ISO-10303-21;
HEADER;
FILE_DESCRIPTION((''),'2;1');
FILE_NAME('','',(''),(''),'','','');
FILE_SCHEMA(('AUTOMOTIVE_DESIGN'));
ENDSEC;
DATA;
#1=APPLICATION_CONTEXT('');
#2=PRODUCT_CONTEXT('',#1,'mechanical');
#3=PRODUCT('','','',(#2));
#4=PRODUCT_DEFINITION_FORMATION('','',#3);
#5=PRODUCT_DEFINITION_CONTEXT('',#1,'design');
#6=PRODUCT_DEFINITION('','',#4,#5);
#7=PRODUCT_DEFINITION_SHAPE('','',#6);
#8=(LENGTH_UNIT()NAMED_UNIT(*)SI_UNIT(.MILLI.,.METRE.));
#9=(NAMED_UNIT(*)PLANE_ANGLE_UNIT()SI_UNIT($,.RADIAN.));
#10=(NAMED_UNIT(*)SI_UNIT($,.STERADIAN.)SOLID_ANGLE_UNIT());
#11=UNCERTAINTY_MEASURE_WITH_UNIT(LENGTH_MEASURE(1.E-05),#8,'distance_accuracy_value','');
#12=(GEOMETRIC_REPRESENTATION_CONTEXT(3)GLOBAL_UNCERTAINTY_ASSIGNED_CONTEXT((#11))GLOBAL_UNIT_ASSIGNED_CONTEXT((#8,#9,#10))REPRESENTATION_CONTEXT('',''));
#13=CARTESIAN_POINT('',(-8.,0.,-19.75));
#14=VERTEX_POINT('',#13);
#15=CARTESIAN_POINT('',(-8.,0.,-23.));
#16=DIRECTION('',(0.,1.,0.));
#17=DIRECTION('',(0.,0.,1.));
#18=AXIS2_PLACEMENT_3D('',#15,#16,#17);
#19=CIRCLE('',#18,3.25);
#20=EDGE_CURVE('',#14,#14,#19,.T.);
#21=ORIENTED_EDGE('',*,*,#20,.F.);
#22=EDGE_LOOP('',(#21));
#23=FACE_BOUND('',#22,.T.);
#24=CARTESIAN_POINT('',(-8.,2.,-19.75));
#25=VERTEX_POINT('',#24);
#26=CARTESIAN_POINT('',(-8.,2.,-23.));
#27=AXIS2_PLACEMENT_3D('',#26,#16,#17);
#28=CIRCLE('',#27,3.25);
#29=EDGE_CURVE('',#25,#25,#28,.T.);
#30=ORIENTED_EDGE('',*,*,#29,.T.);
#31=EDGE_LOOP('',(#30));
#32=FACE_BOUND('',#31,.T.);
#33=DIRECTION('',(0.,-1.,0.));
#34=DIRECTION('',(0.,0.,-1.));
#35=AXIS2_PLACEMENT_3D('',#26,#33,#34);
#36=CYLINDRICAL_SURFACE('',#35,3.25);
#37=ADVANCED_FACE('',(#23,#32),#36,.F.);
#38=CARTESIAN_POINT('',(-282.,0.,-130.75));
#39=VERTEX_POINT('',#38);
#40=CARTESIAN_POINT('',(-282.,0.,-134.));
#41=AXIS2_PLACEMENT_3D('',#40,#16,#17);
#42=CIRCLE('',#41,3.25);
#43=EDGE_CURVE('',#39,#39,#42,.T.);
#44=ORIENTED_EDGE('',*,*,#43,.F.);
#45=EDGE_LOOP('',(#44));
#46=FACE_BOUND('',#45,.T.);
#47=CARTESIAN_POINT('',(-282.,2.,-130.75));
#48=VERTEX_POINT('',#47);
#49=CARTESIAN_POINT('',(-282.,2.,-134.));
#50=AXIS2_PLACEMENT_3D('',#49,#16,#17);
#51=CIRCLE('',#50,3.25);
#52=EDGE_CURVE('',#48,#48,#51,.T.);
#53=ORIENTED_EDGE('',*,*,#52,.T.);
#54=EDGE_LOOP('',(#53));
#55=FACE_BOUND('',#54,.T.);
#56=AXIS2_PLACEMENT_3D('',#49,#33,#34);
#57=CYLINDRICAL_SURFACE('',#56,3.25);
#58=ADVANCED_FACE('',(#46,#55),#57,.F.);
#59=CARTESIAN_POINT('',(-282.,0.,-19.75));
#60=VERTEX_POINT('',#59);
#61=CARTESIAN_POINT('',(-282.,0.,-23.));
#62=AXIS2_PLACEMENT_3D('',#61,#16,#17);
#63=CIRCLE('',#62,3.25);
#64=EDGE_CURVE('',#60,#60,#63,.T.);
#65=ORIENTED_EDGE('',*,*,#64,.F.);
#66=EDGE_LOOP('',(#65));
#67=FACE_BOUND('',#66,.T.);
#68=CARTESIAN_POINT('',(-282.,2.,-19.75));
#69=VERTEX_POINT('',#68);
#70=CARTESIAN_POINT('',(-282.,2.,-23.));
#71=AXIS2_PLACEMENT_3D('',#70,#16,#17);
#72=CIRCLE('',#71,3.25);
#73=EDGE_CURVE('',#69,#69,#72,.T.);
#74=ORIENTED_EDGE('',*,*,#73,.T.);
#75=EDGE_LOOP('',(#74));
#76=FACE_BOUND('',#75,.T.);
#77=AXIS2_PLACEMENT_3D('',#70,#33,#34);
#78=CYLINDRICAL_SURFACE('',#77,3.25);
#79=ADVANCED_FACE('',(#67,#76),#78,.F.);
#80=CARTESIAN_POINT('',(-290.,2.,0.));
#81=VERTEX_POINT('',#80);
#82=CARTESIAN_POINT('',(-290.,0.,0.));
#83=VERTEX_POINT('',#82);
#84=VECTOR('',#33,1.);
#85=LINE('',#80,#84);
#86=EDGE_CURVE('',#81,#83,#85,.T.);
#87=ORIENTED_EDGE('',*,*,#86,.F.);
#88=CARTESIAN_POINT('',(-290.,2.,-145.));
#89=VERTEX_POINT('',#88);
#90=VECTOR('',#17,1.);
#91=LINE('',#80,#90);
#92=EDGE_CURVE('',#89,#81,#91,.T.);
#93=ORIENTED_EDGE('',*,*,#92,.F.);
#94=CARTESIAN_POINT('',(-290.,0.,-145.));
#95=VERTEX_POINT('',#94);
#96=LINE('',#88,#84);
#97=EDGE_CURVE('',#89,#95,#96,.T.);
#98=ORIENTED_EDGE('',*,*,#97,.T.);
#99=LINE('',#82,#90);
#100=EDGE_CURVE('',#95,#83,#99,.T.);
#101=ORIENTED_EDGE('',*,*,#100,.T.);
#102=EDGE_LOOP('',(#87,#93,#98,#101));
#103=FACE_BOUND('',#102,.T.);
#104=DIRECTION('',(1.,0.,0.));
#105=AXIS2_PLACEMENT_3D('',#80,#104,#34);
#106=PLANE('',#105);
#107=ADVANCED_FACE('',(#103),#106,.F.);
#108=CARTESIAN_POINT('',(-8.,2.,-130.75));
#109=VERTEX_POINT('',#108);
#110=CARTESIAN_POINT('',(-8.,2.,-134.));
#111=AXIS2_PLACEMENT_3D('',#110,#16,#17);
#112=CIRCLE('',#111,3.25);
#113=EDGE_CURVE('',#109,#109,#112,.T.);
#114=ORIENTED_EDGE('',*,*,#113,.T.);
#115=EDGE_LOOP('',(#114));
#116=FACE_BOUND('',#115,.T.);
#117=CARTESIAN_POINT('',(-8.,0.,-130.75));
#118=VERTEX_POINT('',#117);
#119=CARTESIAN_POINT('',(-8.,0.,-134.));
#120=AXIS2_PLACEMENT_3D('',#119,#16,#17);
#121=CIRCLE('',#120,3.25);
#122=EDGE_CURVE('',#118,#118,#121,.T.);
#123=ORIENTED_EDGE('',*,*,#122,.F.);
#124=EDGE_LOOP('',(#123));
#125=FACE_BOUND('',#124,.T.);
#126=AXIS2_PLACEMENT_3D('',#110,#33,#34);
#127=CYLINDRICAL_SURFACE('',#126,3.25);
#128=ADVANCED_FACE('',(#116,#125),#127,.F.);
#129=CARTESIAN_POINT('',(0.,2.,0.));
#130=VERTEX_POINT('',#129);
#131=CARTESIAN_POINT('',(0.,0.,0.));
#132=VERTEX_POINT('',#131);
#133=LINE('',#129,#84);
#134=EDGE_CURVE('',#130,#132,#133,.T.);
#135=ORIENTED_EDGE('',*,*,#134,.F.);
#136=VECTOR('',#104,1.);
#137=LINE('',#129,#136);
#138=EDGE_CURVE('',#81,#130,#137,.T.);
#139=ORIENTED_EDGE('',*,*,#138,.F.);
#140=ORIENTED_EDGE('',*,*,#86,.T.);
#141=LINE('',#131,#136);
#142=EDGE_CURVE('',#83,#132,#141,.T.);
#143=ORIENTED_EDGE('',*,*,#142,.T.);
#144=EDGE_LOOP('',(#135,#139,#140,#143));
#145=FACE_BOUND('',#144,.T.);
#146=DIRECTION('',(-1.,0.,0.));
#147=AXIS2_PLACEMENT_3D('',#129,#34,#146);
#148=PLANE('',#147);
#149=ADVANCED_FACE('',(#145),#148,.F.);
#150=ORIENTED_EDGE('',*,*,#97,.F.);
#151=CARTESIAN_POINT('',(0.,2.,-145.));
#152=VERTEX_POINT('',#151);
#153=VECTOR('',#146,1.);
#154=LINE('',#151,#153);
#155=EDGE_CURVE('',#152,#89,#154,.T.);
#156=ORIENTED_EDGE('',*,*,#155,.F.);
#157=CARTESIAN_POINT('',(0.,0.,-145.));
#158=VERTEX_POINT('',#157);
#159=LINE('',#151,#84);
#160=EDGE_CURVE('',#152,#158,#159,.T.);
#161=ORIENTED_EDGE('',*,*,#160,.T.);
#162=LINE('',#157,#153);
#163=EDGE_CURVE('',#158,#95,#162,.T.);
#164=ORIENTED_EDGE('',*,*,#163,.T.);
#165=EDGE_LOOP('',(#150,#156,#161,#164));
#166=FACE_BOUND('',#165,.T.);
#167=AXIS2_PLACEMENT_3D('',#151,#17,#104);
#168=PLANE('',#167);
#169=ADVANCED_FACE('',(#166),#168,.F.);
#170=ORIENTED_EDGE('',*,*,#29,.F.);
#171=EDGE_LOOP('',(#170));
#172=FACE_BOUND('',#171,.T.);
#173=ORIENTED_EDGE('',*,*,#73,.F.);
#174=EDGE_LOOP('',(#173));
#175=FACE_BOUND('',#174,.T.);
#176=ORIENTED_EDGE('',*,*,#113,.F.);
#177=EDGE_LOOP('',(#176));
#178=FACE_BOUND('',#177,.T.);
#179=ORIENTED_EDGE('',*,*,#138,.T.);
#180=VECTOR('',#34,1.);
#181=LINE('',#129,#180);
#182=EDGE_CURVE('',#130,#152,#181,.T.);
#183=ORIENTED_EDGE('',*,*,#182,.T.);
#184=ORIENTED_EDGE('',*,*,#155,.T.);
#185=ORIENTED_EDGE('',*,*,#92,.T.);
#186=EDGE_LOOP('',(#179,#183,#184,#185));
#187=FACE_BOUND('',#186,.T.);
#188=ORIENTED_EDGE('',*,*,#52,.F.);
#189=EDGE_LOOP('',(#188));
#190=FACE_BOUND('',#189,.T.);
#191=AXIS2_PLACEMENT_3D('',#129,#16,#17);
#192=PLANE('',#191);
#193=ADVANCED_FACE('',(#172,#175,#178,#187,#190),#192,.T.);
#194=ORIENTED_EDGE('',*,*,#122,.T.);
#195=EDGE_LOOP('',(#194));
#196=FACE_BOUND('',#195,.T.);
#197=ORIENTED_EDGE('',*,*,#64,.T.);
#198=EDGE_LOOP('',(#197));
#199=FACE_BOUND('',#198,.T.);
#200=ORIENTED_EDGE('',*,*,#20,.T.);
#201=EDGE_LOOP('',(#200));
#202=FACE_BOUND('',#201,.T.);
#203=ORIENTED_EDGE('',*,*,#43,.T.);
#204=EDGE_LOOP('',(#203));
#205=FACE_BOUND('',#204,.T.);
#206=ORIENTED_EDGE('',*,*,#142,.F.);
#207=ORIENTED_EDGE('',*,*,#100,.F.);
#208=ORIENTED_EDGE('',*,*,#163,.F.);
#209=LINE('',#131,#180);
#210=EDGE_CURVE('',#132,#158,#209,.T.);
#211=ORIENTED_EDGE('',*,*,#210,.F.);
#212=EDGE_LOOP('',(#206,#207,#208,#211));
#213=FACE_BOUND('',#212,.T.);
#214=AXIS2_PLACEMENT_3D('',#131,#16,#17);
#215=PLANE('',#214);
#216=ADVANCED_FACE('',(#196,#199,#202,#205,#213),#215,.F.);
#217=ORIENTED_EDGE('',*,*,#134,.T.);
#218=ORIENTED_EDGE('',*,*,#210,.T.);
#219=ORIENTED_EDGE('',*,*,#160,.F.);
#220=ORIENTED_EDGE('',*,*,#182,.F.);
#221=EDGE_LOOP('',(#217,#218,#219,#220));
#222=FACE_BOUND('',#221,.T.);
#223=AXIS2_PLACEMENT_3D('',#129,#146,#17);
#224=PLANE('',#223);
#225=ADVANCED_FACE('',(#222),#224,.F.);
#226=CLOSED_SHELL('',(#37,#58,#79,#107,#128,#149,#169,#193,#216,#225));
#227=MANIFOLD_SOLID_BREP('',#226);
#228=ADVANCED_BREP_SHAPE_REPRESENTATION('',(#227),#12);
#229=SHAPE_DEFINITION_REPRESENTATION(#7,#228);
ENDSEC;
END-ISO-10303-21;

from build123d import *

# Parameters (mm, degrees)
SKETCH2_W           = 290
SKETCH2_H           = 145
SKETCH2_R           = 3.25
BOSS_EXTRUDE1_DEPTH = 2


with BuildPart() as part:
    # Sketch2 → Boss-Extrude1 (new body)
    with BuildSketch(Plane(origin=(0, 0, 0), x_dir=(1, 0, 0), z_dir=(0, 1, 0))):
        with Locations((-145, 72.5)):
            Rectangle(SKETCH2_W, SKETCH2_H)
        with Locations((-282, 134)):
            Circle(SKETCH2_R, mode=Mode.SUBTRACT)
        with Locations((-282, 23)):
            Circle(SKETCH2_R, mode=Mode.SUBTRACT)
        with Locations((-8, 23)):
            Circle(SKETCH2_R, mode=Mode.SUBTRACT)
        with Locations((-8, 134)):
            Circle(SKETCH2_R, mode=Mode.SUBTRACT)
    extrude(amount=BOSS_EXTRUDE1_DEPTH)


solid = part.part
